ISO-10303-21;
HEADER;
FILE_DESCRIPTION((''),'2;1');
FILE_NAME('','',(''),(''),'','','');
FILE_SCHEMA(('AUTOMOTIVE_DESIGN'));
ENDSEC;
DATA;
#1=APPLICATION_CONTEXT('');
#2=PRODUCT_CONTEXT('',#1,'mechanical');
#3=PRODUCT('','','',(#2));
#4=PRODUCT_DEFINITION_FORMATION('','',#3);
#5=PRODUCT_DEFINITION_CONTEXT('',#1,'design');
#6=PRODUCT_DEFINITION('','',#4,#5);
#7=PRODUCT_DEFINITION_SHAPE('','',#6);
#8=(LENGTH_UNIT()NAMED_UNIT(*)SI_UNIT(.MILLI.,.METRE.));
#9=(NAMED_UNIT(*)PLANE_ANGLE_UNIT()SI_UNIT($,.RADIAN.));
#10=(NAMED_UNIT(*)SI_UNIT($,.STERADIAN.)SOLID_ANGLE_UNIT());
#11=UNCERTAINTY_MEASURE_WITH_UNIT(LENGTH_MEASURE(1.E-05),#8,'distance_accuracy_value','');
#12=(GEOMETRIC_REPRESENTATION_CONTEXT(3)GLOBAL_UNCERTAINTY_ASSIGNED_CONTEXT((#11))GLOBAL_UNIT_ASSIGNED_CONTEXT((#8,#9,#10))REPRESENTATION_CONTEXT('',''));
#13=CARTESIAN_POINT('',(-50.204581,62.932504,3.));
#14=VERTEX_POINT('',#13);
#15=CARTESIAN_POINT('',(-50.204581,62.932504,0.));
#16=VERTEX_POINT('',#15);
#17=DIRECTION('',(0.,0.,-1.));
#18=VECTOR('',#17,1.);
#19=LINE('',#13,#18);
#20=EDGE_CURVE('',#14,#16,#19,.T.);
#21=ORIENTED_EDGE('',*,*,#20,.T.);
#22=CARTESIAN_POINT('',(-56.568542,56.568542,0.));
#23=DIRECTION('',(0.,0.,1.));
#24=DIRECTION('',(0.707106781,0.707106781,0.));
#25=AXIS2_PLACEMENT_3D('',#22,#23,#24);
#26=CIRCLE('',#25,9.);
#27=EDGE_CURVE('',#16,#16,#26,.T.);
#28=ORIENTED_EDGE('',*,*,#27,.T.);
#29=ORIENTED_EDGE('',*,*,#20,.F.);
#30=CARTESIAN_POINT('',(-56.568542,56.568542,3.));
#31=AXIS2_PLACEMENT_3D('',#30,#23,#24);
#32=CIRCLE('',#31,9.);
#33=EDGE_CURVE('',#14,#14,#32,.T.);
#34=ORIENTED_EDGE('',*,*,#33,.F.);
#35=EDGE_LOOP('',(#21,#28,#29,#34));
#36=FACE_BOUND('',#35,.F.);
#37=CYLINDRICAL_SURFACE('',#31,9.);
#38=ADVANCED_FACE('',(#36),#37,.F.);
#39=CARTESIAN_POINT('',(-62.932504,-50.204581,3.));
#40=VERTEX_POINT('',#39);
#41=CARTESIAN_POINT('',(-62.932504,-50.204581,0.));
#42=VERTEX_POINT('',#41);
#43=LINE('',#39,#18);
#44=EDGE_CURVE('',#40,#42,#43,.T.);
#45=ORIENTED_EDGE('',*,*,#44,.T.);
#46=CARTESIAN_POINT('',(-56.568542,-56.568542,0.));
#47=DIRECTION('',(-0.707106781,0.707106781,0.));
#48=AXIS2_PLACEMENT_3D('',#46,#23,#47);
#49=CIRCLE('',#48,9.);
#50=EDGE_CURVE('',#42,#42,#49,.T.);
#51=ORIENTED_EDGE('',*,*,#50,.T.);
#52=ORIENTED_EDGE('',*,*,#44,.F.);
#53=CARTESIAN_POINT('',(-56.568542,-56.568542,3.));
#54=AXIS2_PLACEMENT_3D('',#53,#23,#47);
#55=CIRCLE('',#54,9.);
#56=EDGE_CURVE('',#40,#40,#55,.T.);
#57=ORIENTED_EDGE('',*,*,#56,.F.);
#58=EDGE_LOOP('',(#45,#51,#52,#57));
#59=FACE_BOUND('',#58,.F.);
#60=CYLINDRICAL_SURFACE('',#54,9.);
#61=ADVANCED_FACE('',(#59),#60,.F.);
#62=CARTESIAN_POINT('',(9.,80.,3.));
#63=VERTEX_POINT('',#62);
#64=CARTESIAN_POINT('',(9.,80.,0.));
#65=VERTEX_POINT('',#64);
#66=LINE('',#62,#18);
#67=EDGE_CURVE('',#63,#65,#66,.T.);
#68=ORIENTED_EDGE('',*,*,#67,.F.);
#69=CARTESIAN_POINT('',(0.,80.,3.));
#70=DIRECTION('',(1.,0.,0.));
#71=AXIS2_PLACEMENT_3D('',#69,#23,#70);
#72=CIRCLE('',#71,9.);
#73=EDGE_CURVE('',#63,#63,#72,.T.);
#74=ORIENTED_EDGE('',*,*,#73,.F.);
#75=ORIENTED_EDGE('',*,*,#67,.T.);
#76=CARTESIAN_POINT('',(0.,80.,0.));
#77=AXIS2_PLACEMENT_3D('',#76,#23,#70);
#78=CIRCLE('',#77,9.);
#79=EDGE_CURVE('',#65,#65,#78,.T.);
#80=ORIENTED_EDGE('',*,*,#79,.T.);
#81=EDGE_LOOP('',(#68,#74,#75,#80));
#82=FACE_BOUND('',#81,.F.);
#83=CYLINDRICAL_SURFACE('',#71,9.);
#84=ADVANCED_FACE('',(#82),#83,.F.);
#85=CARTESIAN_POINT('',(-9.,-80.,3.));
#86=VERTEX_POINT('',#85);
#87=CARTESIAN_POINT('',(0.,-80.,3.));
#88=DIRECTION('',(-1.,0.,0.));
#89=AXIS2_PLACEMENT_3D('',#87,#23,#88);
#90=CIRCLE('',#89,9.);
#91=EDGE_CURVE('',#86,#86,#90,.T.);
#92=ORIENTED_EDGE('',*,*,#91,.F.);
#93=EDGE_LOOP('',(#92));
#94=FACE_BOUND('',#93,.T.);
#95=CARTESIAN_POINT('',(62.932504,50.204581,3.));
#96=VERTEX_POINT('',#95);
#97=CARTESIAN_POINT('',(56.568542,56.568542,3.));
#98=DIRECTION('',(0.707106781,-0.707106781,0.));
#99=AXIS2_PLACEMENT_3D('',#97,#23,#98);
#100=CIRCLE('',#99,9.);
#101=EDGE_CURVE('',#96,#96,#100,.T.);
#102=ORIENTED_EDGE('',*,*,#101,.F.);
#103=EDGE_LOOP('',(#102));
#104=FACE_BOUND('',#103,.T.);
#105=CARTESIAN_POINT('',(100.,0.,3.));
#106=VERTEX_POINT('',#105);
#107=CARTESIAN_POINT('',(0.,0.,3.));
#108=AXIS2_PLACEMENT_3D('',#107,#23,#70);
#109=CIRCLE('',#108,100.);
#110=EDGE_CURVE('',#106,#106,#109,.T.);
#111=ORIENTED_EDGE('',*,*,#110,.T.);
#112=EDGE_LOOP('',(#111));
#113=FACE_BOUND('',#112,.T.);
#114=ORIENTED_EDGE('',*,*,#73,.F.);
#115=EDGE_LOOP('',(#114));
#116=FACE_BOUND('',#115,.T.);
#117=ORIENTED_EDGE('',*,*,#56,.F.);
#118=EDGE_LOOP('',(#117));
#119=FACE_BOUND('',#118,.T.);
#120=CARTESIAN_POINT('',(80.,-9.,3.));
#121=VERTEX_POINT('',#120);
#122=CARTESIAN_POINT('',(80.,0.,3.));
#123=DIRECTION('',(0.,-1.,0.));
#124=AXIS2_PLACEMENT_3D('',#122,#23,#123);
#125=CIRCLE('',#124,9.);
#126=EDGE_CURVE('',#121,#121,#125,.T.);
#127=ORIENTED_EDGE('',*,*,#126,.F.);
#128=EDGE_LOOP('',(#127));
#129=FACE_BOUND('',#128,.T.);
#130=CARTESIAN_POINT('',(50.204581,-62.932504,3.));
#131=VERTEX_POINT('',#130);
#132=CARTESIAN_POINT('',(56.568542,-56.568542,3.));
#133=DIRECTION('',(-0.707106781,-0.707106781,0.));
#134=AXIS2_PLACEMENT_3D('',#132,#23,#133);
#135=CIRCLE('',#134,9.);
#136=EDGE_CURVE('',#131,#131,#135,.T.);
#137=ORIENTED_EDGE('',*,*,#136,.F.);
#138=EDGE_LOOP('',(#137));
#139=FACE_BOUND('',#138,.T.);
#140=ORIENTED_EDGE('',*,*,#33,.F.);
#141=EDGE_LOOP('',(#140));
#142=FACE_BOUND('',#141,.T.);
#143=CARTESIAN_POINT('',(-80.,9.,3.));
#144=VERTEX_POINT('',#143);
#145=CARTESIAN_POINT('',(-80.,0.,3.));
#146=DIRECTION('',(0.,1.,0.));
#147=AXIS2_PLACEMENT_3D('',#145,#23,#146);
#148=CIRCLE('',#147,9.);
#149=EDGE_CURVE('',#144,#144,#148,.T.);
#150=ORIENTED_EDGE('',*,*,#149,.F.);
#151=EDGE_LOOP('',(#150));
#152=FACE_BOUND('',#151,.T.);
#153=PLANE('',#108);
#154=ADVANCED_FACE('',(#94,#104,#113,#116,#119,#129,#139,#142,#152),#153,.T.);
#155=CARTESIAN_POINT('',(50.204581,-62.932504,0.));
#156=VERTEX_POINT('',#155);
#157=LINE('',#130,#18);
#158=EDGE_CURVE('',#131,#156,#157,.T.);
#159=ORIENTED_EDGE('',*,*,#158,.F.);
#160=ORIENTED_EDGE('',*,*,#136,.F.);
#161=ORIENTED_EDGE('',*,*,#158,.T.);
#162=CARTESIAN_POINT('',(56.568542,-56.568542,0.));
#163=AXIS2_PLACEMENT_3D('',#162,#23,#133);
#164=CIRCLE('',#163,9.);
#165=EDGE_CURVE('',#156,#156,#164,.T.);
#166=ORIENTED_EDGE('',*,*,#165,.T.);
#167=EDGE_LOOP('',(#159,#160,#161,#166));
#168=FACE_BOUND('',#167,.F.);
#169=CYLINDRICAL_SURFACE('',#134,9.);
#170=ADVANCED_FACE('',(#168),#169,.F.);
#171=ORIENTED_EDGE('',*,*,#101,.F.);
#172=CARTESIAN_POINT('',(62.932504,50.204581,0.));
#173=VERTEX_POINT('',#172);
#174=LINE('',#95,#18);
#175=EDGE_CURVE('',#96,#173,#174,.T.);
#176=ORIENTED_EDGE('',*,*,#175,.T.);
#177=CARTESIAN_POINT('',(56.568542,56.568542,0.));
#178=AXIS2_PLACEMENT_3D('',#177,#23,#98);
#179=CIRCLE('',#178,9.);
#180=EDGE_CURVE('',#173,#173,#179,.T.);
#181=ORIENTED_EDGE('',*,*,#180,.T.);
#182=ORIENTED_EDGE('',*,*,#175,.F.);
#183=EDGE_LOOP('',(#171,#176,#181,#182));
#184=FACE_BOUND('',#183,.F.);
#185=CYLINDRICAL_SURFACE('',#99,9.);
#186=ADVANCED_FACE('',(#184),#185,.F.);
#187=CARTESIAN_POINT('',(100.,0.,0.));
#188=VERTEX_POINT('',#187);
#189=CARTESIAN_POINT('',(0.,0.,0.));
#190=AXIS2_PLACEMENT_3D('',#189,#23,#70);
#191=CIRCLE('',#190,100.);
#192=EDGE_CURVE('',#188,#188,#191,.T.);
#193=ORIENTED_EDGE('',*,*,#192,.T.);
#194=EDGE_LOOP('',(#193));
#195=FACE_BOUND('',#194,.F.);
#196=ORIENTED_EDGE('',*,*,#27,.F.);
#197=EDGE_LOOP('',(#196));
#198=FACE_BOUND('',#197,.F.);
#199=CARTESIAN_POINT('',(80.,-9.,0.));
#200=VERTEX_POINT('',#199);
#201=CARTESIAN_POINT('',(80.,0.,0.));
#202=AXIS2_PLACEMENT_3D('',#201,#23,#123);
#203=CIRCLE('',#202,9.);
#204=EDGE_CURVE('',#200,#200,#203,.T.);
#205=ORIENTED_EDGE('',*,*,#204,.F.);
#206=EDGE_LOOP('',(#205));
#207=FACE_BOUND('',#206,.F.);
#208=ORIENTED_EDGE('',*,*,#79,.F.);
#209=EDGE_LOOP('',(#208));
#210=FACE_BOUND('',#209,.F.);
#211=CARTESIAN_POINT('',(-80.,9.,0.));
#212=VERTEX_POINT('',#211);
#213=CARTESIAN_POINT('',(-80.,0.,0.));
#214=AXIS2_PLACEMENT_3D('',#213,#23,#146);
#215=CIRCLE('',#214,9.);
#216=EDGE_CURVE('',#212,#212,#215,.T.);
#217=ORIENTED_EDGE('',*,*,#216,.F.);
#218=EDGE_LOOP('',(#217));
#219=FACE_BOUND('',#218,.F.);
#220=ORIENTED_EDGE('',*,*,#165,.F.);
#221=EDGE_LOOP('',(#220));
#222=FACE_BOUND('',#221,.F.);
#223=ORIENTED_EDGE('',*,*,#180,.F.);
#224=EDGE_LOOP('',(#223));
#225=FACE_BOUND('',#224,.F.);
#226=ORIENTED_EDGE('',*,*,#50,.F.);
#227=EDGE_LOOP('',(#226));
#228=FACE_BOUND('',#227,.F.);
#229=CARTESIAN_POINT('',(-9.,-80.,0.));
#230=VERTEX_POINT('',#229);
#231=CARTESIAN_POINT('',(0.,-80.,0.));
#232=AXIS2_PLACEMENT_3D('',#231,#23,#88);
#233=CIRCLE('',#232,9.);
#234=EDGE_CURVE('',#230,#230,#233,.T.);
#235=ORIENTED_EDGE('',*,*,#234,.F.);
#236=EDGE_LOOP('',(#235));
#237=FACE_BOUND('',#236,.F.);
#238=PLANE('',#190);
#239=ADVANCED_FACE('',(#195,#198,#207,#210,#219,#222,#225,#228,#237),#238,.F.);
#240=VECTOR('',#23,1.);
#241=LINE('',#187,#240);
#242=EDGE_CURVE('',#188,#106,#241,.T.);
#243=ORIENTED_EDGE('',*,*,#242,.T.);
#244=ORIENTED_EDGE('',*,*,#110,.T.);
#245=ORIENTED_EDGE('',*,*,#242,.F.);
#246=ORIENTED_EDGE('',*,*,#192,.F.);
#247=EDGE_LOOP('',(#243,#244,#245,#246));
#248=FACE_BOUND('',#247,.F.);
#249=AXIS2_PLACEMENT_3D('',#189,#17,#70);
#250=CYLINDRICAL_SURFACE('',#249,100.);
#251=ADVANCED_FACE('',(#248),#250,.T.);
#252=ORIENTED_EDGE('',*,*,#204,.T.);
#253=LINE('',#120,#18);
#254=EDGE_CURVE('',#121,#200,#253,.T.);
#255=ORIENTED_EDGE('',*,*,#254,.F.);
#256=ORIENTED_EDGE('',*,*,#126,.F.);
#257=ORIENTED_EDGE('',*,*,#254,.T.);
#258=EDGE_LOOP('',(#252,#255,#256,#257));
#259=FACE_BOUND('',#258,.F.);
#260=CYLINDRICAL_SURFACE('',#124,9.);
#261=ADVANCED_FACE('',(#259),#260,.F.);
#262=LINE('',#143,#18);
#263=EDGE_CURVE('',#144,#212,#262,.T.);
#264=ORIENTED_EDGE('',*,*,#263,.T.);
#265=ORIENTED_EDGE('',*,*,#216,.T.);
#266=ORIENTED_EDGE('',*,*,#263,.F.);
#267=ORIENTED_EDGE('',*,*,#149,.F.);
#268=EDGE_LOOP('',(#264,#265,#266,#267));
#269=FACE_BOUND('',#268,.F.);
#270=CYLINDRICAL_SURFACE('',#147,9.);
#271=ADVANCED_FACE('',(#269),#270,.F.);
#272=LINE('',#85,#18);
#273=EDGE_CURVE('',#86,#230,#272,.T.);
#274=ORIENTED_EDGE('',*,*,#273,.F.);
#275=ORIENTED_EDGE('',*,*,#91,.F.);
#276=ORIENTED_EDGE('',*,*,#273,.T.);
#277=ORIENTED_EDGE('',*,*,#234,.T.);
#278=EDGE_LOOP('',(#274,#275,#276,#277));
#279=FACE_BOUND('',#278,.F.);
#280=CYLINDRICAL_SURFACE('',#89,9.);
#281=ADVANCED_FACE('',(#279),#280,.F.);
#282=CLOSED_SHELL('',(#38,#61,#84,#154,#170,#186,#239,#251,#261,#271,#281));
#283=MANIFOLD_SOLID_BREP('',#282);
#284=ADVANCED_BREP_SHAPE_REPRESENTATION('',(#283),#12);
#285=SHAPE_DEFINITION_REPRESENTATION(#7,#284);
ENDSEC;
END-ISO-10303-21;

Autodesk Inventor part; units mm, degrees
ref_plane "YZ Plane" through (0, 0, 0) normal (1, 0, 0) x (0, 1, 0)
ref_plane "XZ Plane" through (0, 0, 0) normal (0, 1, 0) x (-1, 0, 0)
ref_plane "XY Plane" through (0, 0, 0) normal (0, 0, 1) x (1, 0, 0)
sketch "Sketch1" plane through (0, 0, 0) normal (0, 0, 1) x (1, 0, 0)
  circle A0 centre (0, 0) radius 100
  dimension "d22" = 200
extrude "Plate1" add sketch "Sketch1" along normal blind 3
sketch "Sketch5" plane through (0, 0, 3) normal (0, 0, 1) x (1, 0, 0)
  circle A0 centre (0, 0) radius 100 projected
  circle A1 centre (0, 80) radius 9
  dimension "d23" = 18
  dimension "d24" = 80
extrude "Cut1" cut sketch "Sketch5" against normal blind 3 contours A1
pattern_circular "Circular Pattern1" count 8 over 360 about axis through (0, 0, 0) along (0, 0, 1) of "Cut1"
equation "\"d25\" = Thickness"
equation "\"d2\" = Thickness"
equation "\"BendReliefWidth\" = Thickness"
equation "\"BendReliefDepth\" = 0.5 * Thickness"
equation "\"CornerReliefSize\" = 4 * Thickness"
equation "\"MinimumRemnant\" = 2 * Thickness"
equation "\"TransitionRadius\" = BendRadius"
equation "\"JacobiRadiusSize\" = BendRadius"
equation "\"GapSize\" = Thickness"
equation "\"Thickness\" = 3"
equation "\"BendRadius\" = 5"
properties part number "MSC 920 plug 88.9" material "Stainless Steel"
